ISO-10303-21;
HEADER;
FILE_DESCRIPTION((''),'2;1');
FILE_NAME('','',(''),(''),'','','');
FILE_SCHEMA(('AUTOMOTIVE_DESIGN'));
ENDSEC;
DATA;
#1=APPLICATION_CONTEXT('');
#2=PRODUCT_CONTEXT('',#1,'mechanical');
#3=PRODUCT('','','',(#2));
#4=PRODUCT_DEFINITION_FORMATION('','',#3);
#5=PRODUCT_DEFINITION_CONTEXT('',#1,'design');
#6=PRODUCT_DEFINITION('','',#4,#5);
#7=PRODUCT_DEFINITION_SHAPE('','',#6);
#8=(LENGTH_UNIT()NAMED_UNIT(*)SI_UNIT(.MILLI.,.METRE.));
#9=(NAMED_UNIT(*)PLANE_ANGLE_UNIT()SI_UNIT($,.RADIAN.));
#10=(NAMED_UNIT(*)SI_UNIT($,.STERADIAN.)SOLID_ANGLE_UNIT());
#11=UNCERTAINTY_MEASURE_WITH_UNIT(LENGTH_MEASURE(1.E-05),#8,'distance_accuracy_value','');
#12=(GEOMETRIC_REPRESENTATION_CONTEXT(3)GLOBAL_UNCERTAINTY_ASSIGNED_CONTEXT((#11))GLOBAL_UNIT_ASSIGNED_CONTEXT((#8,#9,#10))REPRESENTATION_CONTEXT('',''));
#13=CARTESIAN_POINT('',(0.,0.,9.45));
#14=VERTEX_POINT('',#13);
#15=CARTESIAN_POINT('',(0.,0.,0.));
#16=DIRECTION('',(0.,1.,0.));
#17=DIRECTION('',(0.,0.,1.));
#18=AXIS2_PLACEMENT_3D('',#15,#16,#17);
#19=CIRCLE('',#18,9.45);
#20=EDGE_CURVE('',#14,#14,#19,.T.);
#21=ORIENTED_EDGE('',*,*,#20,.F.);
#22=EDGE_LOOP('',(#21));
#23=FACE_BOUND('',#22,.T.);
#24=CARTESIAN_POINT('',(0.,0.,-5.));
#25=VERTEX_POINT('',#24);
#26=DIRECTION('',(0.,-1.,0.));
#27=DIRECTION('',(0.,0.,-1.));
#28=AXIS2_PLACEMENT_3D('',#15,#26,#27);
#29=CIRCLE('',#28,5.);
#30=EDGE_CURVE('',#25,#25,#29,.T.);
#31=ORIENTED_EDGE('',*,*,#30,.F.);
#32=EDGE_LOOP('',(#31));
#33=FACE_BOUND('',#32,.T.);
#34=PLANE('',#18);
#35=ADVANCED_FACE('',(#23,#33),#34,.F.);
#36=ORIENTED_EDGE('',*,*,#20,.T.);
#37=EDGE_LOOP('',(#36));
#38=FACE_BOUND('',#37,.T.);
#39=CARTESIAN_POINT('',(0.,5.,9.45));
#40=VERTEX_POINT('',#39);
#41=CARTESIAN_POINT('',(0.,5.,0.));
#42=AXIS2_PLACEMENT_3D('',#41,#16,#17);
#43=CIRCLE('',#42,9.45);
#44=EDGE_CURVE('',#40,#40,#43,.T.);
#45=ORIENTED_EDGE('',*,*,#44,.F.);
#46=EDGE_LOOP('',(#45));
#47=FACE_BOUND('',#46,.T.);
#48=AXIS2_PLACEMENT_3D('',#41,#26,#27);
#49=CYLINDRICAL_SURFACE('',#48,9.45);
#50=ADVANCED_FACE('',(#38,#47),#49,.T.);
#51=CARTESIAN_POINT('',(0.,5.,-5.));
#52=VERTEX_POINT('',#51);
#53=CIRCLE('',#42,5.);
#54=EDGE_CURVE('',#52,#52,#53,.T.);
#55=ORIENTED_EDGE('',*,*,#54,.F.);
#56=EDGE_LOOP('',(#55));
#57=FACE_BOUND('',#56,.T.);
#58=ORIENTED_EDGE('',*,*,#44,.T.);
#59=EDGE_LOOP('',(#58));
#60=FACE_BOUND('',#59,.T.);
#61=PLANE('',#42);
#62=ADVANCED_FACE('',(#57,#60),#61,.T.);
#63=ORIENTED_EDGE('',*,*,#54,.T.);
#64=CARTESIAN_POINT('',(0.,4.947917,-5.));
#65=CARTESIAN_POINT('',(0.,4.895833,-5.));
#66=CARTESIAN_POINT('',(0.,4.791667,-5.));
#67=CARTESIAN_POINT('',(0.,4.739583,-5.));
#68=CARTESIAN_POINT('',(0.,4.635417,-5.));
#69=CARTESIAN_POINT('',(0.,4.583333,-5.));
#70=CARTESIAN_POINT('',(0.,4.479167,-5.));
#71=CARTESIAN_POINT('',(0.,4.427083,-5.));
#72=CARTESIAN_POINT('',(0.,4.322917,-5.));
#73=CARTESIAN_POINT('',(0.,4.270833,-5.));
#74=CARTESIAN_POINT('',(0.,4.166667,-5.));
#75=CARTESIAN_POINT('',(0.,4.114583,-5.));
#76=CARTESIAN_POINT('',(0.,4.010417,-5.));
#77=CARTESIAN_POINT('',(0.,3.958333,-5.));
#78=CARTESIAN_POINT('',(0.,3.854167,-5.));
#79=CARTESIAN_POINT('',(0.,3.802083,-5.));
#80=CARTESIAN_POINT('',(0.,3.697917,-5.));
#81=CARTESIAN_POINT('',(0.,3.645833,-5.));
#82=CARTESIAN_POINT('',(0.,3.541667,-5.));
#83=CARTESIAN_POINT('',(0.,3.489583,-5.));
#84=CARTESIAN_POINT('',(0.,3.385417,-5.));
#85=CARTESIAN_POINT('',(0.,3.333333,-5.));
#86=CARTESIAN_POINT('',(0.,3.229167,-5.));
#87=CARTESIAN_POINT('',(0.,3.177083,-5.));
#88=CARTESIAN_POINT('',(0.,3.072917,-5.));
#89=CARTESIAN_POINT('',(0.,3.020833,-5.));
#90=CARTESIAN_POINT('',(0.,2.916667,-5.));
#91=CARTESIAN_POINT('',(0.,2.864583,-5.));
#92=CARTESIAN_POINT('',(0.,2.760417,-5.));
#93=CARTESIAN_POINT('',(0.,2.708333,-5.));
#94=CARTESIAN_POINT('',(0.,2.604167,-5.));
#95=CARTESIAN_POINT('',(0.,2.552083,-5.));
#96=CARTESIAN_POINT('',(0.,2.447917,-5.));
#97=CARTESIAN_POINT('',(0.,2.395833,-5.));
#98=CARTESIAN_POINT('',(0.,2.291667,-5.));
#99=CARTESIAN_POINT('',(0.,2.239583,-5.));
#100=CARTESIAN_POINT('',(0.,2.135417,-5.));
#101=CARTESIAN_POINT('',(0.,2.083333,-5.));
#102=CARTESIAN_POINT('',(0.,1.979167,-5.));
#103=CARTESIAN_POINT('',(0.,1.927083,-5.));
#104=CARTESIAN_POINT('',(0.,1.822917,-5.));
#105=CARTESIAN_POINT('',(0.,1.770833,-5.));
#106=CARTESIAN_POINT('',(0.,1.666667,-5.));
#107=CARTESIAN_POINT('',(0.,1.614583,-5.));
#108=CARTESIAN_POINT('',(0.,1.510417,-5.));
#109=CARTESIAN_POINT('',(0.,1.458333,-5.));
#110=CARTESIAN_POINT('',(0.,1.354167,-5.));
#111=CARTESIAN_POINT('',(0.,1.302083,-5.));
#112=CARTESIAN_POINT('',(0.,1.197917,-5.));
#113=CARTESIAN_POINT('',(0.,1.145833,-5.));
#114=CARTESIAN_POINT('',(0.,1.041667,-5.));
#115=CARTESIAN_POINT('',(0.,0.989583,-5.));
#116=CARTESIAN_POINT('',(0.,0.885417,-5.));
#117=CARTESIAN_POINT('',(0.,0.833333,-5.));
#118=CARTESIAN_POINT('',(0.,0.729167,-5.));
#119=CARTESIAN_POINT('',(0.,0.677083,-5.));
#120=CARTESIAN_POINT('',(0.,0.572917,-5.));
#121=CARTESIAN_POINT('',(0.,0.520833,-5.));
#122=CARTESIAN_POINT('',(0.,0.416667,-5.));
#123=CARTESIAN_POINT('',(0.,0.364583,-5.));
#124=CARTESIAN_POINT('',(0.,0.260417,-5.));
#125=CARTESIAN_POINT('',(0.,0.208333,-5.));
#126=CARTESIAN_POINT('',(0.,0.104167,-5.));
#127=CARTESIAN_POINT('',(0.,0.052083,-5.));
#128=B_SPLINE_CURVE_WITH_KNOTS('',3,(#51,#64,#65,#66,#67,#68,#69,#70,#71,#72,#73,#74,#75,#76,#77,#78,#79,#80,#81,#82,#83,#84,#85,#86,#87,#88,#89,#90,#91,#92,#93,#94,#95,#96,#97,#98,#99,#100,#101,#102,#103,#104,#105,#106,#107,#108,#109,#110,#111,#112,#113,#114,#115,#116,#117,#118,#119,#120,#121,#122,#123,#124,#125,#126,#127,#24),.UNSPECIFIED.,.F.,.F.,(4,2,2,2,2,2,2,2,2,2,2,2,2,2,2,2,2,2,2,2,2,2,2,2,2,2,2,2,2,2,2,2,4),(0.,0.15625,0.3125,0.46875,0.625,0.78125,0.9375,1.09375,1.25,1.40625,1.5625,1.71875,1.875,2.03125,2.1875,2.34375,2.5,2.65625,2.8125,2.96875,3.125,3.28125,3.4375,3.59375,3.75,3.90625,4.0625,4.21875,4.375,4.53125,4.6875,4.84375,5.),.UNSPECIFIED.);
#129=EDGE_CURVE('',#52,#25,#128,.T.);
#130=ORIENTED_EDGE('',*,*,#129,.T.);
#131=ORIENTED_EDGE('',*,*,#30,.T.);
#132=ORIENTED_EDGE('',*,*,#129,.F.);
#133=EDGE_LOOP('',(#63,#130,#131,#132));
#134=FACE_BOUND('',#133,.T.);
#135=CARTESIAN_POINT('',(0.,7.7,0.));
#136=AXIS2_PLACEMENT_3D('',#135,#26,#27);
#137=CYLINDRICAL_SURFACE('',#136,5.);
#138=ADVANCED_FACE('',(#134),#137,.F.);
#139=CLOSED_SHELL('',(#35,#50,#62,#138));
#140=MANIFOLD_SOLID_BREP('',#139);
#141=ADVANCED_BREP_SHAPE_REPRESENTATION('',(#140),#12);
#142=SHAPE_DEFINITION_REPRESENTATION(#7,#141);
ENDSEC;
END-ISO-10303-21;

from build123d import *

# Parameters (mm, degrees)
ESQUISSE1_R             = 9.45
BOSS_EXTRU_1_DEPTH      = 5
ESQUISSE2_R             = 5
ENL_V_MAT_EXTRU_1_DEPTH = 7.7


with BuildPart() as part:
    # Esquisse1 → Boss.-Extru.1 (new body)
    with BuildSketch(Plane(origin=(0, 0, 0), x_dir=(1, 0, 0), z_dir=(0, 1, 0))):
        with Locations(Location((0, 0, 0), (0, 0, 270))):
            Circle(ESQUISSE1_R)
    extrude(amount=BOSS_EXTRU_1_DEPTH)

    # Esquisse2 → Enlèv. mat.-Extru.1 (cut)
    with BuildSketch(Plane.XZ):
        with Locations(Location((0, 0, 0), (0, 0, 270))):
            Circle(ESQUISSE2_R)
    extrude(amount=-ENL_V_MAT_EXTRU_1_DEPTH, mode=Mode.SUBTRACT)


solid = part.part
